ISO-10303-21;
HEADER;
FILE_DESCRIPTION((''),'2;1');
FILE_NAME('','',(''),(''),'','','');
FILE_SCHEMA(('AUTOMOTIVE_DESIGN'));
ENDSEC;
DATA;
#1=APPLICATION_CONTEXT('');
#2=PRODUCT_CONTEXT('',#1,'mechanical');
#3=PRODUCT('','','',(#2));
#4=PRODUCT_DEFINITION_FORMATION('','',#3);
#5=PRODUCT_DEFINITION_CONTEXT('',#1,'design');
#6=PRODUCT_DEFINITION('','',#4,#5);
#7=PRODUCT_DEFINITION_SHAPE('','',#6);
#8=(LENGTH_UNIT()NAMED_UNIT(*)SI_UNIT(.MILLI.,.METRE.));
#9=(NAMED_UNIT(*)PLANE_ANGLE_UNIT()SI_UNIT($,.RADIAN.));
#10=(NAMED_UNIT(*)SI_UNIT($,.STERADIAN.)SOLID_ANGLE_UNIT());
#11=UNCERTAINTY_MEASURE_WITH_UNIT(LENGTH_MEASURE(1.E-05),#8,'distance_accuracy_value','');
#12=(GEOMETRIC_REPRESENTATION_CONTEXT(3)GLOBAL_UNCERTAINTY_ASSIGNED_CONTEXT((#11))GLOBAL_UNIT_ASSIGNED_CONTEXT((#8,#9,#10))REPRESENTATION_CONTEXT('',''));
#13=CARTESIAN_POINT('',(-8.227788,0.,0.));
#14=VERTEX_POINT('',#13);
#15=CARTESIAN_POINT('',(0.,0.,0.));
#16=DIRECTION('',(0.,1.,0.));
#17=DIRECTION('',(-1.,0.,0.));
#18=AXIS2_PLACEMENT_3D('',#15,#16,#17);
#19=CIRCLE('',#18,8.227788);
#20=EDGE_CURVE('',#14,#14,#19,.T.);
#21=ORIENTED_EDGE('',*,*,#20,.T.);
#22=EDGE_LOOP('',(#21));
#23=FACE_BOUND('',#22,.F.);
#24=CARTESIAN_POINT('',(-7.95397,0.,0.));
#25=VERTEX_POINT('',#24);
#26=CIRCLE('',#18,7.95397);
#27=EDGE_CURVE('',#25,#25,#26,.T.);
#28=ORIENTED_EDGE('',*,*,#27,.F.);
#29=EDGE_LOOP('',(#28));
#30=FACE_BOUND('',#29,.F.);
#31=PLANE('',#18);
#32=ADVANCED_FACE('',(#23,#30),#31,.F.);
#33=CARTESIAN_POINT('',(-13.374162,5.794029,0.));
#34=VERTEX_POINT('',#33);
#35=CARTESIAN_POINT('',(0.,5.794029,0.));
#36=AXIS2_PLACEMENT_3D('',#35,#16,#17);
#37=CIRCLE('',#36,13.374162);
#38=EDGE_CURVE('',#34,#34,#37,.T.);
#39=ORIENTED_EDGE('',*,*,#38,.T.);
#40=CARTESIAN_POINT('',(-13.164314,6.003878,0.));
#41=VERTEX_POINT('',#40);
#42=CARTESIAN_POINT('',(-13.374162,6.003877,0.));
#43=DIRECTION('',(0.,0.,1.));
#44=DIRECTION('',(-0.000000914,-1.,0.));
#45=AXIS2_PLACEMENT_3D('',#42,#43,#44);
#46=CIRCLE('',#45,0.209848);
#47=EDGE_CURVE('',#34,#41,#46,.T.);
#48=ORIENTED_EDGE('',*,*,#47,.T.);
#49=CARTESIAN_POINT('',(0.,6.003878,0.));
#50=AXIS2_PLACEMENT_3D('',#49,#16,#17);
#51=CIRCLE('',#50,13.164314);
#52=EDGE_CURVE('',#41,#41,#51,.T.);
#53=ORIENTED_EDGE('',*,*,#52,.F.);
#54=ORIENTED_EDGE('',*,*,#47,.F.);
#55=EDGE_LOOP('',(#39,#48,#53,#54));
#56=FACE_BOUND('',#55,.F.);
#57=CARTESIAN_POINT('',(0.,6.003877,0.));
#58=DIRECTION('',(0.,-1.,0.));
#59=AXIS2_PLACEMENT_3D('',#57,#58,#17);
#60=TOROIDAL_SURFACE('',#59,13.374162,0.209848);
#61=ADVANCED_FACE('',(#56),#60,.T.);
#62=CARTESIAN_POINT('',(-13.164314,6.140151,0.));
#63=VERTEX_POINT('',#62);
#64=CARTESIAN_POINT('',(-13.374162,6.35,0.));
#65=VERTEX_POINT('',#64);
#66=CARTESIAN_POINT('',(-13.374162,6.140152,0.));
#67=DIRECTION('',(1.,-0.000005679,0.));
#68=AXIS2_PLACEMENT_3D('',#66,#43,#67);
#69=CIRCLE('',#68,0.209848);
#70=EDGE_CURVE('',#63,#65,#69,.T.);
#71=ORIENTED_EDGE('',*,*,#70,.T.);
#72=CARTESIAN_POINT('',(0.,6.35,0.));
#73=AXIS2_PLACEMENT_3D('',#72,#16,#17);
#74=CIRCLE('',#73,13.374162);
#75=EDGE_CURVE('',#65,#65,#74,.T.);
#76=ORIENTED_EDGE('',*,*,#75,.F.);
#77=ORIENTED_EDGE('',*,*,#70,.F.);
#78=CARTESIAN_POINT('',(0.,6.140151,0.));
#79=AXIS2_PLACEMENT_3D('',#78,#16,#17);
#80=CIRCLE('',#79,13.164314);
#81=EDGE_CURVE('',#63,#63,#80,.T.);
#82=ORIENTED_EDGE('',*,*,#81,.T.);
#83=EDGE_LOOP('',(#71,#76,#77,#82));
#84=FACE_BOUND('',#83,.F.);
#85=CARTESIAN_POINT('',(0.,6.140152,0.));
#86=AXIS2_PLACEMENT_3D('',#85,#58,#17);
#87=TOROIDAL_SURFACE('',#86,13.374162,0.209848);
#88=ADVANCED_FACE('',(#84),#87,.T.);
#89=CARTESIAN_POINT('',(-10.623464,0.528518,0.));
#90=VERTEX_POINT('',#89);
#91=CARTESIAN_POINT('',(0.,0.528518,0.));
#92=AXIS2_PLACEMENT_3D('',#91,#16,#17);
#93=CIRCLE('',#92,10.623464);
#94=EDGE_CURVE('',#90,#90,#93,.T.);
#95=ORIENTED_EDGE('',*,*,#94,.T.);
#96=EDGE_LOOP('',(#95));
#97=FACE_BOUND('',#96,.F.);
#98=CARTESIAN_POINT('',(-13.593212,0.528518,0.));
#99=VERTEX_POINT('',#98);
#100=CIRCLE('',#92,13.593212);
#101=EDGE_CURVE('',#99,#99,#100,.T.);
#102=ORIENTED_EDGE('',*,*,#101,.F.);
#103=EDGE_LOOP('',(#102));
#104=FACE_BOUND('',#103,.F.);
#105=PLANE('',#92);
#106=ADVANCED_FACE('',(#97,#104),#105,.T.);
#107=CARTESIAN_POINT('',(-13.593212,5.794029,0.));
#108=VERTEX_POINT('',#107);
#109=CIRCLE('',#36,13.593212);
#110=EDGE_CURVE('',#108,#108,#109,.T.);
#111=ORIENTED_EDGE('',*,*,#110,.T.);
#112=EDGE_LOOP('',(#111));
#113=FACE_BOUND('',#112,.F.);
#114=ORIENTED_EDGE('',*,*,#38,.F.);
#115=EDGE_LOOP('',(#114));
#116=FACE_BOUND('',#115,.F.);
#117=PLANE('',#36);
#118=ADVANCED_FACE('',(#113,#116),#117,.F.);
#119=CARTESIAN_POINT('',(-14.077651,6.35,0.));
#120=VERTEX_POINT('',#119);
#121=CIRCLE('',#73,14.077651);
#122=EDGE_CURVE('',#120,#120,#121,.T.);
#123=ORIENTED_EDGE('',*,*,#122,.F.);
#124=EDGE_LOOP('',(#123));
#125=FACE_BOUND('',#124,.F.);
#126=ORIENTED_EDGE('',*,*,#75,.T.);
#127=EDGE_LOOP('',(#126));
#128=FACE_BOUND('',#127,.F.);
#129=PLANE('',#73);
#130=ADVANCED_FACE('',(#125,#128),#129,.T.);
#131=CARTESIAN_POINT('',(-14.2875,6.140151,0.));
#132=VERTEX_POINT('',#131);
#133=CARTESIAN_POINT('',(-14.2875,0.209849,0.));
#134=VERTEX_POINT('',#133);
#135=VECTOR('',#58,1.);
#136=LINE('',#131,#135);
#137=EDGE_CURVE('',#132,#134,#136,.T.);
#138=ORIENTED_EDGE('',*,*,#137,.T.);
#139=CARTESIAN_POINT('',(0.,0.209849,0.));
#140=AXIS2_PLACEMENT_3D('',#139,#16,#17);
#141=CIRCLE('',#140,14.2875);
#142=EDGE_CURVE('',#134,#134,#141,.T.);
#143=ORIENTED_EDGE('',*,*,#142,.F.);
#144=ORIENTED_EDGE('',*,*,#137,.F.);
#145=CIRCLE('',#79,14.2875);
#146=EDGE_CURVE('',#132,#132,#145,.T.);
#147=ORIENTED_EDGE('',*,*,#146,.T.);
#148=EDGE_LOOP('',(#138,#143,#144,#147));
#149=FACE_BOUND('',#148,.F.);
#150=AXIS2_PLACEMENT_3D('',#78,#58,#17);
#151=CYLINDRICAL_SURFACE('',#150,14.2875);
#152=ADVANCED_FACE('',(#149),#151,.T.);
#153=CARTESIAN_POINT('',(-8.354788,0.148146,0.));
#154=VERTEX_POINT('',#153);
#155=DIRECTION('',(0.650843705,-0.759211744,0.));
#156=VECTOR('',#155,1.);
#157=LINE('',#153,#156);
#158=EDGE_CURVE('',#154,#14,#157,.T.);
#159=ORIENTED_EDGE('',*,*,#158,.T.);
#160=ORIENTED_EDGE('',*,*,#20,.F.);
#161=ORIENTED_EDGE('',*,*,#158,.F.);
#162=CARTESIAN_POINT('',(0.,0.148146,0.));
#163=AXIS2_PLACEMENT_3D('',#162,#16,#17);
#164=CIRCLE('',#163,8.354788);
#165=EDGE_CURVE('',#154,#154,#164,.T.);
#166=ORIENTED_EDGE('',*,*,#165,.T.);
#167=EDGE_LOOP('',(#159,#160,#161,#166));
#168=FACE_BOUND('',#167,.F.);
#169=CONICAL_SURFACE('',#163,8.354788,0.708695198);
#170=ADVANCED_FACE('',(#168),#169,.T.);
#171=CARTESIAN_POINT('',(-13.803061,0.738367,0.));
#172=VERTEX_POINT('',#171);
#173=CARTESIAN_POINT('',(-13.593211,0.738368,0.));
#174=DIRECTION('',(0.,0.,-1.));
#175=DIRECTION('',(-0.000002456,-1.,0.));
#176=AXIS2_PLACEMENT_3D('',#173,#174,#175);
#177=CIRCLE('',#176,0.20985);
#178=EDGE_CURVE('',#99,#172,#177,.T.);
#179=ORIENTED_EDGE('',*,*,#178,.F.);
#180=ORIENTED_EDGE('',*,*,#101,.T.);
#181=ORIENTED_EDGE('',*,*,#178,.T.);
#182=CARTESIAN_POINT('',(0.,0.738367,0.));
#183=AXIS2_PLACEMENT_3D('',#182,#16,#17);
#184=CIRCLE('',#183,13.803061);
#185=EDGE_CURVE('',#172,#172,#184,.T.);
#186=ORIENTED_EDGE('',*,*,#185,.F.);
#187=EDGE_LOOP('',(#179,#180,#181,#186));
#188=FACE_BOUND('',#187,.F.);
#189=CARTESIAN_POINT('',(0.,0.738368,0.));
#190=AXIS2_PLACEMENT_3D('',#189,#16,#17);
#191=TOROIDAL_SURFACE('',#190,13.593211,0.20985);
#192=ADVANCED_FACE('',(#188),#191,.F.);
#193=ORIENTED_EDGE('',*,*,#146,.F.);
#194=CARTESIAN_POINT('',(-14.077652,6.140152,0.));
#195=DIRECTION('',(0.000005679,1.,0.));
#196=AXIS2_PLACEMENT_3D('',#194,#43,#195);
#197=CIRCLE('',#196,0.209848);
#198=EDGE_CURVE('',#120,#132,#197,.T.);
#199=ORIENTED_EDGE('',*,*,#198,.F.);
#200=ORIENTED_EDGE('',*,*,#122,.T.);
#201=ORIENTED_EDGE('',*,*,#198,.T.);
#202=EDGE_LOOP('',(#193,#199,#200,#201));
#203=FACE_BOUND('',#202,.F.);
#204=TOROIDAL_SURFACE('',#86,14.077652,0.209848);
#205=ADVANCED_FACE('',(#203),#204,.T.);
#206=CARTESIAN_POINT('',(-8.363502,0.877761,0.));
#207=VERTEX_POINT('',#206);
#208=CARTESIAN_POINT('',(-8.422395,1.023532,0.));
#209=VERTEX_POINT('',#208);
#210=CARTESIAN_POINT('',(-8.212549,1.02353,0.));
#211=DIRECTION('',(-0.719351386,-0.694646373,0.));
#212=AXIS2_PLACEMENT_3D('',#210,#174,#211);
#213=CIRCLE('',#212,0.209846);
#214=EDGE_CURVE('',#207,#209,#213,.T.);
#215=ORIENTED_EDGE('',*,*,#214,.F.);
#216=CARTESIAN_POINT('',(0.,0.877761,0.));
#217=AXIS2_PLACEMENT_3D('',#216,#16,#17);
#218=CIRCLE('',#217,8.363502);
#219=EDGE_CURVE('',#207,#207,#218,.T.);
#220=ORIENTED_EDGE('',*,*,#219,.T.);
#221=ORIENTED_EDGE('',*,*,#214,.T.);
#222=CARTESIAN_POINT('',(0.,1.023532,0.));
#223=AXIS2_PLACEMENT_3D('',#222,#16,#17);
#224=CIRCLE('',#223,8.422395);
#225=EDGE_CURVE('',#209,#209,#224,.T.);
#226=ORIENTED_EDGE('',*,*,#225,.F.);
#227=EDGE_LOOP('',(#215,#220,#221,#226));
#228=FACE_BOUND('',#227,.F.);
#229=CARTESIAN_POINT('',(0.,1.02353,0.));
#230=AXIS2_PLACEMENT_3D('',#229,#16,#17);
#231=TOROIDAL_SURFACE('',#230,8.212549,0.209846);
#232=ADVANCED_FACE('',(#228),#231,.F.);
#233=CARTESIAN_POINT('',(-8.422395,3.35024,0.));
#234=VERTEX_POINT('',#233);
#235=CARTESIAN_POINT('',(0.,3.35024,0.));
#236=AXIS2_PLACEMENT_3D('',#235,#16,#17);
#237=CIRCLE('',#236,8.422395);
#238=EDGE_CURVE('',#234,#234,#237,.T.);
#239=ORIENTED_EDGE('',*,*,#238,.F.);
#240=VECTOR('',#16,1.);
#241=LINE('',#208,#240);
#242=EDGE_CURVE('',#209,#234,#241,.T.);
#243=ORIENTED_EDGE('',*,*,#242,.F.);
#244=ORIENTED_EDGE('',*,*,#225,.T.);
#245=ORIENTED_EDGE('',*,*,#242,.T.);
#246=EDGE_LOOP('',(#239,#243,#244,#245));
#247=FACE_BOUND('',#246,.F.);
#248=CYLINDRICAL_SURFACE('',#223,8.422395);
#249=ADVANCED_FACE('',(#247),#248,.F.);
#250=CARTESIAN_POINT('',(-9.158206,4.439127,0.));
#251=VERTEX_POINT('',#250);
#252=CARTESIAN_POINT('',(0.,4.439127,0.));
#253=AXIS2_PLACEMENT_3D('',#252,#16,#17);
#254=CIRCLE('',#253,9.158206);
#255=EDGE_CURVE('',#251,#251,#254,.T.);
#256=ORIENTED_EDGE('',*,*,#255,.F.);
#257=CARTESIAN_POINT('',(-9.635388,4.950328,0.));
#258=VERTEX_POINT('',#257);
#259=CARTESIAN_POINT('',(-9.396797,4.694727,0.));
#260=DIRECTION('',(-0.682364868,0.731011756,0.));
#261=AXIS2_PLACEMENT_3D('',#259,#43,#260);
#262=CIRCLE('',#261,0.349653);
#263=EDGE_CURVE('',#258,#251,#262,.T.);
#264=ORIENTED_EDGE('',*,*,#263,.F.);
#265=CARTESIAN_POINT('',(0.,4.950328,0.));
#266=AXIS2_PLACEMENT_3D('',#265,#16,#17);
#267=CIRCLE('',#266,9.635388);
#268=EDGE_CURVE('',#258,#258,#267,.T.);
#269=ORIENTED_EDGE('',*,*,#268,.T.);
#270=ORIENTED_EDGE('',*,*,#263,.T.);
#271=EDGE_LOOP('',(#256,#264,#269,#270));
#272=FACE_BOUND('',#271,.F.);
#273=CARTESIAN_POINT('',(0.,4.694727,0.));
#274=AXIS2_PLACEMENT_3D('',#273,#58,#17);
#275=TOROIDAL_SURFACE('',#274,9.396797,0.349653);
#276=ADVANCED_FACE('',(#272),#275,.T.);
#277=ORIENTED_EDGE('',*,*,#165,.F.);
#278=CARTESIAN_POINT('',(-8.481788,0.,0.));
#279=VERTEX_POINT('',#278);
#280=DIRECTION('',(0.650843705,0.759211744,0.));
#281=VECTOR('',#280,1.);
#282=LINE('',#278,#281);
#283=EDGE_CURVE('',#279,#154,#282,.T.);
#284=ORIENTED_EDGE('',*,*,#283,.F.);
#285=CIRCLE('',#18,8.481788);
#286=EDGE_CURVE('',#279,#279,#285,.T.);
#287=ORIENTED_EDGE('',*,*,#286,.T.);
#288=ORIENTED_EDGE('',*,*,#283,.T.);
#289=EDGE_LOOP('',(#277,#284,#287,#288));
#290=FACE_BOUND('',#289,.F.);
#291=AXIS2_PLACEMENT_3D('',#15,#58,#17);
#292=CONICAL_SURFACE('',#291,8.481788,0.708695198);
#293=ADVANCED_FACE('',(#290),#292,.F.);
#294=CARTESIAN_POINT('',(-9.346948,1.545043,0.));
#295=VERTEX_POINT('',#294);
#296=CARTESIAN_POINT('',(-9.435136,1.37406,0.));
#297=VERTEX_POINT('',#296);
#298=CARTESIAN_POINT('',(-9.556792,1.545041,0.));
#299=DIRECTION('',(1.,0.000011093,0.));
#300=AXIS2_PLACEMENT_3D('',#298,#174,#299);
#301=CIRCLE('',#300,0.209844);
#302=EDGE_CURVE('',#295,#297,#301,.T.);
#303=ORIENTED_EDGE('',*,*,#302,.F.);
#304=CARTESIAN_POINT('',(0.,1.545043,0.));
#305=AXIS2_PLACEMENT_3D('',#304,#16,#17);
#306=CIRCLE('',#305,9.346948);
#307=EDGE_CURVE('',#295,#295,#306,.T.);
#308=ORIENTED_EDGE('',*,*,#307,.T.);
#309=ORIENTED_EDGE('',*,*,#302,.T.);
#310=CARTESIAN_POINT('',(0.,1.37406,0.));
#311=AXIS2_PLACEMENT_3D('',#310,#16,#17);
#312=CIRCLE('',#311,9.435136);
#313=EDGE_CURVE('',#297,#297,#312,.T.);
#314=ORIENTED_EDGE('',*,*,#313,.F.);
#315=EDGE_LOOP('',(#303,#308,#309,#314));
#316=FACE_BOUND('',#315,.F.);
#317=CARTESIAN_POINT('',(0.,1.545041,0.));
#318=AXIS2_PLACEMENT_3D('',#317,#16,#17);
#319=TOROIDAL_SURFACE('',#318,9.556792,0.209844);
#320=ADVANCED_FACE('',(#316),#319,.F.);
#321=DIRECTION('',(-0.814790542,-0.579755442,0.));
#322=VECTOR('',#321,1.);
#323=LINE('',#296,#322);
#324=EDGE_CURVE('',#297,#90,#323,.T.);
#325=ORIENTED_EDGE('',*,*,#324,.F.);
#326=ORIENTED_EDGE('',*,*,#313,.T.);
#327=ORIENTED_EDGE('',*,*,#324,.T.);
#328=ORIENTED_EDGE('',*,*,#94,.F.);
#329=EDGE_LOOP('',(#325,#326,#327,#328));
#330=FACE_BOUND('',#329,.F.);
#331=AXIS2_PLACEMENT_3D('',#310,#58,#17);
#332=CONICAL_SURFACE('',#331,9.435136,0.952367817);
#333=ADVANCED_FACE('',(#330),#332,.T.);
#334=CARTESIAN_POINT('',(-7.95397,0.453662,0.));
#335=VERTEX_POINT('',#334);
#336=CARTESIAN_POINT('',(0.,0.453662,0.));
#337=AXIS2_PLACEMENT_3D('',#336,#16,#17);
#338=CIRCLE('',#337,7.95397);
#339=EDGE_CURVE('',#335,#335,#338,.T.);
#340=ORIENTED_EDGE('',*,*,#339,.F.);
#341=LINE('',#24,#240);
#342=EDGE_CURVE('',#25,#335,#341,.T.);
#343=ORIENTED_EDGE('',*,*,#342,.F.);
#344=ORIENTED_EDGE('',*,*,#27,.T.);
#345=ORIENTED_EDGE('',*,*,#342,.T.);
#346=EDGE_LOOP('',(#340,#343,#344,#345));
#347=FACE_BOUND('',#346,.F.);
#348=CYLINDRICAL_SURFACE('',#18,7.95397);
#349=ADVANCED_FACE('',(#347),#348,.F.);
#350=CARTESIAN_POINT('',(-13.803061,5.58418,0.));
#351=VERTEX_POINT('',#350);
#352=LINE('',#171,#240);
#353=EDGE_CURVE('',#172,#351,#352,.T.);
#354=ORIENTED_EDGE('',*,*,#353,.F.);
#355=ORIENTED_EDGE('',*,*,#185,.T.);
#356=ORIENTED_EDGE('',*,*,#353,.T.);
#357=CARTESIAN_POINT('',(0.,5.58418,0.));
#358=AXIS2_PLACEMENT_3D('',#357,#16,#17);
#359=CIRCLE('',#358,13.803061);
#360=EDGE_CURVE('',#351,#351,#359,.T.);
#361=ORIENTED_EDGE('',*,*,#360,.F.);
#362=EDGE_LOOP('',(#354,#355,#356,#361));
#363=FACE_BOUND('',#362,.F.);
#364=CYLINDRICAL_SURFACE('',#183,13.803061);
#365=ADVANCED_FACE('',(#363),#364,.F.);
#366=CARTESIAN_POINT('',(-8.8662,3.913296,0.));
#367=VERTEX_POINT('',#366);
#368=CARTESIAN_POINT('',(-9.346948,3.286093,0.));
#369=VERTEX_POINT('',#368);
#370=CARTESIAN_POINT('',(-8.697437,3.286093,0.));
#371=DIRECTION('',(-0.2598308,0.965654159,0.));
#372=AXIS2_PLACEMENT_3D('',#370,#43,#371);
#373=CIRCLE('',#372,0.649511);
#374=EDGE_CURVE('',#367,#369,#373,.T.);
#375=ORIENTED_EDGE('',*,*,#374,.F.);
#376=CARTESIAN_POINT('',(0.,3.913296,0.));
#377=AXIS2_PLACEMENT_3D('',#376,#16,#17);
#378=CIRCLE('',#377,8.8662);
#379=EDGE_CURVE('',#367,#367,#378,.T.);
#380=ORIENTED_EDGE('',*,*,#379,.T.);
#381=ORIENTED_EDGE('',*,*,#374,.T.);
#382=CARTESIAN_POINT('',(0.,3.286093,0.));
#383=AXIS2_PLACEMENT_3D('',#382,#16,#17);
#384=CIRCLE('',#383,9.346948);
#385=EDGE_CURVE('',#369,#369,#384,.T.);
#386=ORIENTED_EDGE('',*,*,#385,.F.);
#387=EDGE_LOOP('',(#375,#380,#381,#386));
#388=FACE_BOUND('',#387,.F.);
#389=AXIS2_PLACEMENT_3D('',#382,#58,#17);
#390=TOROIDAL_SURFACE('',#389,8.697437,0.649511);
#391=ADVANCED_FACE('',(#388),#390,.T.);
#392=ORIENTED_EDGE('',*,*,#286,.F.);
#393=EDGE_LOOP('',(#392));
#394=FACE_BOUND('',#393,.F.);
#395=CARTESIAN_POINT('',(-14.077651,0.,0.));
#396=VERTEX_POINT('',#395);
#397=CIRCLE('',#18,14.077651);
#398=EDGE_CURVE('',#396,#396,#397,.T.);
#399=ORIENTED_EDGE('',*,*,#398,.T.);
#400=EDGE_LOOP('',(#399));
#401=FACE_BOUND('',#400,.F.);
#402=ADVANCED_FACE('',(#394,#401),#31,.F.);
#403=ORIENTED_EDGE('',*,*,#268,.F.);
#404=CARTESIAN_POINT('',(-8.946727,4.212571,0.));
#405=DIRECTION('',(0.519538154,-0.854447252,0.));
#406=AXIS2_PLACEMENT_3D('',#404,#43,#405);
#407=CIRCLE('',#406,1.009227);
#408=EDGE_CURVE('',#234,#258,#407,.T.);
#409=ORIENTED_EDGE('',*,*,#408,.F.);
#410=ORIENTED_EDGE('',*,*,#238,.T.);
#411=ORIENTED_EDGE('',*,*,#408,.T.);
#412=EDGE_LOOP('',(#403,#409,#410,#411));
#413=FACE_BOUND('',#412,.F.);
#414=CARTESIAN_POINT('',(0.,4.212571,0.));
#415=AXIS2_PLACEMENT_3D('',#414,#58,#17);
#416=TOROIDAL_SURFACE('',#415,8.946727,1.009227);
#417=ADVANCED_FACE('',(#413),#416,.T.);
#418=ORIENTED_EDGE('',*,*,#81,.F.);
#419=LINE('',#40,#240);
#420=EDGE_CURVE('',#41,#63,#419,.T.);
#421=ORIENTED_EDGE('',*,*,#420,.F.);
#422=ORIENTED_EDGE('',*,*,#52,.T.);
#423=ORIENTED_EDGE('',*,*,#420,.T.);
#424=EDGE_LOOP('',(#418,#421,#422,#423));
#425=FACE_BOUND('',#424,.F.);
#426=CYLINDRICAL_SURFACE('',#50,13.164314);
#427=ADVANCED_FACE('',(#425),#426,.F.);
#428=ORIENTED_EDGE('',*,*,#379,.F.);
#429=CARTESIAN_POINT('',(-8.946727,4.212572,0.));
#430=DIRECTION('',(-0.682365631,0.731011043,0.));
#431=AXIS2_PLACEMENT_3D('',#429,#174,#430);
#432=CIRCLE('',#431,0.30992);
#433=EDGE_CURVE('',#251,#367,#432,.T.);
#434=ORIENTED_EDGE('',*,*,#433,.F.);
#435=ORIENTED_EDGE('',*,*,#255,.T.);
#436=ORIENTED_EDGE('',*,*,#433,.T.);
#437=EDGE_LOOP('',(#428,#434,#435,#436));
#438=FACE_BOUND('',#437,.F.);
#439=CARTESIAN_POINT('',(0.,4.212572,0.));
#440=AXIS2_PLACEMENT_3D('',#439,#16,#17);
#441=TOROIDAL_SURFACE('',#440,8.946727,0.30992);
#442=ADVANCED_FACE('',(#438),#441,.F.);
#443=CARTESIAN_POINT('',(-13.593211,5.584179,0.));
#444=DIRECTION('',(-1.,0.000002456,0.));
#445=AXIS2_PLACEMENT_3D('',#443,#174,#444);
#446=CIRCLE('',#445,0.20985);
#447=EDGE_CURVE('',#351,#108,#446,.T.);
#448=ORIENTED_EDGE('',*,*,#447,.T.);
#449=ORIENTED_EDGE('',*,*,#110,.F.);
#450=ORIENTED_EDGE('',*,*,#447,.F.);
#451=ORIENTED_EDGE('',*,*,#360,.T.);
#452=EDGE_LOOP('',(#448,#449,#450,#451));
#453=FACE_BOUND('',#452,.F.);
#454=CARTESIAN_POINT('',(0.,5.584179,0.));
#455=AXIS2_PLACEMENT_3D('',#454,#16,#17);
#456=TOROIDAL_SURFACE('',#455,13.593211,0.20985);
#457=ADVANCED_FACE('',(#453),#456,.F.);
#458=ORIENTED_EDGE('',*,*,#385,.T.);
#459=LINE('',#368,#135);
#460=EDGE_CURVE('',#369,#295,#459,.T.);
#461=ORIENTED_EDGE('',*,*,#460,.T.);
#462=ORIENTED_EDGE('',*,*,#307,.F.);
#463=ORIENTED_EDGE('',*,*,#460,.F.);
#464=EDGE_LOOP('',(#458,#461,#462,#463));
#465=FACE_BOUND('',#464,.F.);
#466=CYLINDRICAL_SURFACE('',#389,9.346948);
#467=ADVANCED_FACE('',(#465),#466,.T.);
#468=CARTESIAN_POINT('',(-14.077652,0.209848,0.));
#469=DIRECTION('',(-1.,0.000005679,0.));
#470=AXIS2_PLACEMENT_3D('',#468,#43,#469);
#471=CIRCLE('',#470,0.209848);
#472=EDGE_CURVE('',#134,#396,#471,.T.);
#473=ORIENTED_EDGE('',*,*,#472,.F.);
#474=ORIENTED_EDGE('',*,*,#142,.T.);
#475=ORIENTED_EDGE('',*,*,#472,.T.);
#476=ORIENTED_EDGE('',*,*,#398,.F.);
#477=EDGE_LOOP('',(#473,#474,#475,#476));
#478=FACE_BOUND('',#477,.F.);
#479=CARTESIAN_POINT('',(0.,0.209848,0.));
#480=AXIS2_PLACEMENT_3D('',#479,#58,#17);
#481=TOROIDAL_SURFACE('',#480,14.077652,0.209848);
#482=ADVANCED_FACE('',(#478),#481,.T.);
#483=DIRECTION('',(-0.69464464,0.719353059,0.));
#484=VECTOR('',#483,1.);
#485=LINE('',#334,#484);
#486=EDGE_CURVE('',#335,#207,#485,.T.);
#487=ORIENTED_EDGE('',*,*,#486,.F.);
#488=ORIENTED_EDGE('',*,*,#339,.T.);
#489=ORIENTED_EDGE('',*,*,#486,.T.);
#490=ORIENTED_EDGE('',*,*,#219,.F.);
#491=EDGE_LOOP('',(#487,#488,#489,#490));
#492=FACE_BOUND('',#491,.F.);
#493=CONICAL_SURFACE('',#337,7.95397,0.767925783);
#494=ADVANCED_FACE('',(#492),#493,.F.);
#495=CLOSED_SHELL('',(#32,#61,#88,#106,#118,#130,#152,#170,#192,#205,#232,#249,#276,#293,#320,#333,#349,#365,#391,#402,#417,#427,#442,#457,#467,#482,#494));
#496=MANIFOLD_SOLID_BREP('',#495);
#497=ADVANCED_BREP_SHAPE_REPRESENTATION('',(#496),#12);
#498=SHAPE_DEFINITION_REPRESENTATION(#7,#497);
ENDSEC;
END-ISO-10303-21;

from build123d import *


with BuildPart() as f1:
    # F0 (on Top) → F1 (revolve)
    with BuildSketch(Plane.XY):
        with BuildLine():
            Line((-13.164314, 6.003878), (-13.164314, 6.140151))
            ThreePointArc((-13.164314, 6.140151), (-13.225777, 6.288537), (-13.374162, 6.35))
            Line((-13.374162, 6.35), (-14.077651, 6.35))
            ThreePointArc((-14.077651, 6.35), (-14.226037, 6.288537), (-14.2875, 6.140151))
            Line((-14.2875, 6.140151), (-14.2875, 0.209849))
            ThreePointArc((-14.2875, 0.209849), (-14.226037, 0.061463), (-14.077651, 0))
            Line((-14.077651, 0), (-8.481788, 0))
            Line((-8.481788, 0), (-8.354788, 0.148146))
            Line((-8.354788, 0.148146), (-8.227788, 0))
            Line((-8.227788, 0), (-7.95397, 0))
            Line((-7.95397, 0), (-7.95397, 0.453662))
            Line((-7.95397, 0.453662), (-8.363502, 0.877761))
            ThreePointArc((-8.363502, 0.877761), (-8.407116, 0.944923), (-8.422395, 1.023532))
            Line((-8.422395, 1.023532), (-8.422395, 3.35024))
            ThreePointArc((-8.422395, 3.35024), (-8.142475, 4.822258), (-9.635388, 4.950328))
            ThreePointArc((-9.635388, 4.950328), (-9.652398, 4.456137), (-9.158206, 4.439127))
            ThreePointArc((-9.158206, 4.439127), (-8.675781, 4.363034), (-8.8662, 3.913296))
            ThreePointArc((-8.8662, 3.913296), (-9.212936, 3.68122), (-9.346948, 3.286093))
            Line((-9.346948, 3.286093), (-9.346948, 1.545043))
            ThreePointArc((-9.346948, 1.545043), (-9.370293, 1.44885), (-9.435136, 1.37406))
            Line((-9.435136, 1.37406), (-10.623464, 0.528518))
            Line((-10.623464, 0.528518), (-13.593212, 0.528518))
            ThreePointArc((-13.593212, 0.528518), (-13.741598, 0.589982), (-13.803061, 0.738367))
            Line((-13.803061, 0.738367), (-13.803061, 5.58418))
            ThreePointArc((-13.803061, 5.58418), (-13.741598, 5.732565), (-13.593212, 5.794029))
            Line((-13.593212, 5.794029), (-13.374162, 5.794029))
            ThreePointArc((-13.374162, 5.794029), (-13.225777, 5.855492), (-13.164314, 6.003878))
        make_face()
    revolve(axis=Axis((0, 4.222262, 0), (0, 1, 0)))


solid = f1.part
